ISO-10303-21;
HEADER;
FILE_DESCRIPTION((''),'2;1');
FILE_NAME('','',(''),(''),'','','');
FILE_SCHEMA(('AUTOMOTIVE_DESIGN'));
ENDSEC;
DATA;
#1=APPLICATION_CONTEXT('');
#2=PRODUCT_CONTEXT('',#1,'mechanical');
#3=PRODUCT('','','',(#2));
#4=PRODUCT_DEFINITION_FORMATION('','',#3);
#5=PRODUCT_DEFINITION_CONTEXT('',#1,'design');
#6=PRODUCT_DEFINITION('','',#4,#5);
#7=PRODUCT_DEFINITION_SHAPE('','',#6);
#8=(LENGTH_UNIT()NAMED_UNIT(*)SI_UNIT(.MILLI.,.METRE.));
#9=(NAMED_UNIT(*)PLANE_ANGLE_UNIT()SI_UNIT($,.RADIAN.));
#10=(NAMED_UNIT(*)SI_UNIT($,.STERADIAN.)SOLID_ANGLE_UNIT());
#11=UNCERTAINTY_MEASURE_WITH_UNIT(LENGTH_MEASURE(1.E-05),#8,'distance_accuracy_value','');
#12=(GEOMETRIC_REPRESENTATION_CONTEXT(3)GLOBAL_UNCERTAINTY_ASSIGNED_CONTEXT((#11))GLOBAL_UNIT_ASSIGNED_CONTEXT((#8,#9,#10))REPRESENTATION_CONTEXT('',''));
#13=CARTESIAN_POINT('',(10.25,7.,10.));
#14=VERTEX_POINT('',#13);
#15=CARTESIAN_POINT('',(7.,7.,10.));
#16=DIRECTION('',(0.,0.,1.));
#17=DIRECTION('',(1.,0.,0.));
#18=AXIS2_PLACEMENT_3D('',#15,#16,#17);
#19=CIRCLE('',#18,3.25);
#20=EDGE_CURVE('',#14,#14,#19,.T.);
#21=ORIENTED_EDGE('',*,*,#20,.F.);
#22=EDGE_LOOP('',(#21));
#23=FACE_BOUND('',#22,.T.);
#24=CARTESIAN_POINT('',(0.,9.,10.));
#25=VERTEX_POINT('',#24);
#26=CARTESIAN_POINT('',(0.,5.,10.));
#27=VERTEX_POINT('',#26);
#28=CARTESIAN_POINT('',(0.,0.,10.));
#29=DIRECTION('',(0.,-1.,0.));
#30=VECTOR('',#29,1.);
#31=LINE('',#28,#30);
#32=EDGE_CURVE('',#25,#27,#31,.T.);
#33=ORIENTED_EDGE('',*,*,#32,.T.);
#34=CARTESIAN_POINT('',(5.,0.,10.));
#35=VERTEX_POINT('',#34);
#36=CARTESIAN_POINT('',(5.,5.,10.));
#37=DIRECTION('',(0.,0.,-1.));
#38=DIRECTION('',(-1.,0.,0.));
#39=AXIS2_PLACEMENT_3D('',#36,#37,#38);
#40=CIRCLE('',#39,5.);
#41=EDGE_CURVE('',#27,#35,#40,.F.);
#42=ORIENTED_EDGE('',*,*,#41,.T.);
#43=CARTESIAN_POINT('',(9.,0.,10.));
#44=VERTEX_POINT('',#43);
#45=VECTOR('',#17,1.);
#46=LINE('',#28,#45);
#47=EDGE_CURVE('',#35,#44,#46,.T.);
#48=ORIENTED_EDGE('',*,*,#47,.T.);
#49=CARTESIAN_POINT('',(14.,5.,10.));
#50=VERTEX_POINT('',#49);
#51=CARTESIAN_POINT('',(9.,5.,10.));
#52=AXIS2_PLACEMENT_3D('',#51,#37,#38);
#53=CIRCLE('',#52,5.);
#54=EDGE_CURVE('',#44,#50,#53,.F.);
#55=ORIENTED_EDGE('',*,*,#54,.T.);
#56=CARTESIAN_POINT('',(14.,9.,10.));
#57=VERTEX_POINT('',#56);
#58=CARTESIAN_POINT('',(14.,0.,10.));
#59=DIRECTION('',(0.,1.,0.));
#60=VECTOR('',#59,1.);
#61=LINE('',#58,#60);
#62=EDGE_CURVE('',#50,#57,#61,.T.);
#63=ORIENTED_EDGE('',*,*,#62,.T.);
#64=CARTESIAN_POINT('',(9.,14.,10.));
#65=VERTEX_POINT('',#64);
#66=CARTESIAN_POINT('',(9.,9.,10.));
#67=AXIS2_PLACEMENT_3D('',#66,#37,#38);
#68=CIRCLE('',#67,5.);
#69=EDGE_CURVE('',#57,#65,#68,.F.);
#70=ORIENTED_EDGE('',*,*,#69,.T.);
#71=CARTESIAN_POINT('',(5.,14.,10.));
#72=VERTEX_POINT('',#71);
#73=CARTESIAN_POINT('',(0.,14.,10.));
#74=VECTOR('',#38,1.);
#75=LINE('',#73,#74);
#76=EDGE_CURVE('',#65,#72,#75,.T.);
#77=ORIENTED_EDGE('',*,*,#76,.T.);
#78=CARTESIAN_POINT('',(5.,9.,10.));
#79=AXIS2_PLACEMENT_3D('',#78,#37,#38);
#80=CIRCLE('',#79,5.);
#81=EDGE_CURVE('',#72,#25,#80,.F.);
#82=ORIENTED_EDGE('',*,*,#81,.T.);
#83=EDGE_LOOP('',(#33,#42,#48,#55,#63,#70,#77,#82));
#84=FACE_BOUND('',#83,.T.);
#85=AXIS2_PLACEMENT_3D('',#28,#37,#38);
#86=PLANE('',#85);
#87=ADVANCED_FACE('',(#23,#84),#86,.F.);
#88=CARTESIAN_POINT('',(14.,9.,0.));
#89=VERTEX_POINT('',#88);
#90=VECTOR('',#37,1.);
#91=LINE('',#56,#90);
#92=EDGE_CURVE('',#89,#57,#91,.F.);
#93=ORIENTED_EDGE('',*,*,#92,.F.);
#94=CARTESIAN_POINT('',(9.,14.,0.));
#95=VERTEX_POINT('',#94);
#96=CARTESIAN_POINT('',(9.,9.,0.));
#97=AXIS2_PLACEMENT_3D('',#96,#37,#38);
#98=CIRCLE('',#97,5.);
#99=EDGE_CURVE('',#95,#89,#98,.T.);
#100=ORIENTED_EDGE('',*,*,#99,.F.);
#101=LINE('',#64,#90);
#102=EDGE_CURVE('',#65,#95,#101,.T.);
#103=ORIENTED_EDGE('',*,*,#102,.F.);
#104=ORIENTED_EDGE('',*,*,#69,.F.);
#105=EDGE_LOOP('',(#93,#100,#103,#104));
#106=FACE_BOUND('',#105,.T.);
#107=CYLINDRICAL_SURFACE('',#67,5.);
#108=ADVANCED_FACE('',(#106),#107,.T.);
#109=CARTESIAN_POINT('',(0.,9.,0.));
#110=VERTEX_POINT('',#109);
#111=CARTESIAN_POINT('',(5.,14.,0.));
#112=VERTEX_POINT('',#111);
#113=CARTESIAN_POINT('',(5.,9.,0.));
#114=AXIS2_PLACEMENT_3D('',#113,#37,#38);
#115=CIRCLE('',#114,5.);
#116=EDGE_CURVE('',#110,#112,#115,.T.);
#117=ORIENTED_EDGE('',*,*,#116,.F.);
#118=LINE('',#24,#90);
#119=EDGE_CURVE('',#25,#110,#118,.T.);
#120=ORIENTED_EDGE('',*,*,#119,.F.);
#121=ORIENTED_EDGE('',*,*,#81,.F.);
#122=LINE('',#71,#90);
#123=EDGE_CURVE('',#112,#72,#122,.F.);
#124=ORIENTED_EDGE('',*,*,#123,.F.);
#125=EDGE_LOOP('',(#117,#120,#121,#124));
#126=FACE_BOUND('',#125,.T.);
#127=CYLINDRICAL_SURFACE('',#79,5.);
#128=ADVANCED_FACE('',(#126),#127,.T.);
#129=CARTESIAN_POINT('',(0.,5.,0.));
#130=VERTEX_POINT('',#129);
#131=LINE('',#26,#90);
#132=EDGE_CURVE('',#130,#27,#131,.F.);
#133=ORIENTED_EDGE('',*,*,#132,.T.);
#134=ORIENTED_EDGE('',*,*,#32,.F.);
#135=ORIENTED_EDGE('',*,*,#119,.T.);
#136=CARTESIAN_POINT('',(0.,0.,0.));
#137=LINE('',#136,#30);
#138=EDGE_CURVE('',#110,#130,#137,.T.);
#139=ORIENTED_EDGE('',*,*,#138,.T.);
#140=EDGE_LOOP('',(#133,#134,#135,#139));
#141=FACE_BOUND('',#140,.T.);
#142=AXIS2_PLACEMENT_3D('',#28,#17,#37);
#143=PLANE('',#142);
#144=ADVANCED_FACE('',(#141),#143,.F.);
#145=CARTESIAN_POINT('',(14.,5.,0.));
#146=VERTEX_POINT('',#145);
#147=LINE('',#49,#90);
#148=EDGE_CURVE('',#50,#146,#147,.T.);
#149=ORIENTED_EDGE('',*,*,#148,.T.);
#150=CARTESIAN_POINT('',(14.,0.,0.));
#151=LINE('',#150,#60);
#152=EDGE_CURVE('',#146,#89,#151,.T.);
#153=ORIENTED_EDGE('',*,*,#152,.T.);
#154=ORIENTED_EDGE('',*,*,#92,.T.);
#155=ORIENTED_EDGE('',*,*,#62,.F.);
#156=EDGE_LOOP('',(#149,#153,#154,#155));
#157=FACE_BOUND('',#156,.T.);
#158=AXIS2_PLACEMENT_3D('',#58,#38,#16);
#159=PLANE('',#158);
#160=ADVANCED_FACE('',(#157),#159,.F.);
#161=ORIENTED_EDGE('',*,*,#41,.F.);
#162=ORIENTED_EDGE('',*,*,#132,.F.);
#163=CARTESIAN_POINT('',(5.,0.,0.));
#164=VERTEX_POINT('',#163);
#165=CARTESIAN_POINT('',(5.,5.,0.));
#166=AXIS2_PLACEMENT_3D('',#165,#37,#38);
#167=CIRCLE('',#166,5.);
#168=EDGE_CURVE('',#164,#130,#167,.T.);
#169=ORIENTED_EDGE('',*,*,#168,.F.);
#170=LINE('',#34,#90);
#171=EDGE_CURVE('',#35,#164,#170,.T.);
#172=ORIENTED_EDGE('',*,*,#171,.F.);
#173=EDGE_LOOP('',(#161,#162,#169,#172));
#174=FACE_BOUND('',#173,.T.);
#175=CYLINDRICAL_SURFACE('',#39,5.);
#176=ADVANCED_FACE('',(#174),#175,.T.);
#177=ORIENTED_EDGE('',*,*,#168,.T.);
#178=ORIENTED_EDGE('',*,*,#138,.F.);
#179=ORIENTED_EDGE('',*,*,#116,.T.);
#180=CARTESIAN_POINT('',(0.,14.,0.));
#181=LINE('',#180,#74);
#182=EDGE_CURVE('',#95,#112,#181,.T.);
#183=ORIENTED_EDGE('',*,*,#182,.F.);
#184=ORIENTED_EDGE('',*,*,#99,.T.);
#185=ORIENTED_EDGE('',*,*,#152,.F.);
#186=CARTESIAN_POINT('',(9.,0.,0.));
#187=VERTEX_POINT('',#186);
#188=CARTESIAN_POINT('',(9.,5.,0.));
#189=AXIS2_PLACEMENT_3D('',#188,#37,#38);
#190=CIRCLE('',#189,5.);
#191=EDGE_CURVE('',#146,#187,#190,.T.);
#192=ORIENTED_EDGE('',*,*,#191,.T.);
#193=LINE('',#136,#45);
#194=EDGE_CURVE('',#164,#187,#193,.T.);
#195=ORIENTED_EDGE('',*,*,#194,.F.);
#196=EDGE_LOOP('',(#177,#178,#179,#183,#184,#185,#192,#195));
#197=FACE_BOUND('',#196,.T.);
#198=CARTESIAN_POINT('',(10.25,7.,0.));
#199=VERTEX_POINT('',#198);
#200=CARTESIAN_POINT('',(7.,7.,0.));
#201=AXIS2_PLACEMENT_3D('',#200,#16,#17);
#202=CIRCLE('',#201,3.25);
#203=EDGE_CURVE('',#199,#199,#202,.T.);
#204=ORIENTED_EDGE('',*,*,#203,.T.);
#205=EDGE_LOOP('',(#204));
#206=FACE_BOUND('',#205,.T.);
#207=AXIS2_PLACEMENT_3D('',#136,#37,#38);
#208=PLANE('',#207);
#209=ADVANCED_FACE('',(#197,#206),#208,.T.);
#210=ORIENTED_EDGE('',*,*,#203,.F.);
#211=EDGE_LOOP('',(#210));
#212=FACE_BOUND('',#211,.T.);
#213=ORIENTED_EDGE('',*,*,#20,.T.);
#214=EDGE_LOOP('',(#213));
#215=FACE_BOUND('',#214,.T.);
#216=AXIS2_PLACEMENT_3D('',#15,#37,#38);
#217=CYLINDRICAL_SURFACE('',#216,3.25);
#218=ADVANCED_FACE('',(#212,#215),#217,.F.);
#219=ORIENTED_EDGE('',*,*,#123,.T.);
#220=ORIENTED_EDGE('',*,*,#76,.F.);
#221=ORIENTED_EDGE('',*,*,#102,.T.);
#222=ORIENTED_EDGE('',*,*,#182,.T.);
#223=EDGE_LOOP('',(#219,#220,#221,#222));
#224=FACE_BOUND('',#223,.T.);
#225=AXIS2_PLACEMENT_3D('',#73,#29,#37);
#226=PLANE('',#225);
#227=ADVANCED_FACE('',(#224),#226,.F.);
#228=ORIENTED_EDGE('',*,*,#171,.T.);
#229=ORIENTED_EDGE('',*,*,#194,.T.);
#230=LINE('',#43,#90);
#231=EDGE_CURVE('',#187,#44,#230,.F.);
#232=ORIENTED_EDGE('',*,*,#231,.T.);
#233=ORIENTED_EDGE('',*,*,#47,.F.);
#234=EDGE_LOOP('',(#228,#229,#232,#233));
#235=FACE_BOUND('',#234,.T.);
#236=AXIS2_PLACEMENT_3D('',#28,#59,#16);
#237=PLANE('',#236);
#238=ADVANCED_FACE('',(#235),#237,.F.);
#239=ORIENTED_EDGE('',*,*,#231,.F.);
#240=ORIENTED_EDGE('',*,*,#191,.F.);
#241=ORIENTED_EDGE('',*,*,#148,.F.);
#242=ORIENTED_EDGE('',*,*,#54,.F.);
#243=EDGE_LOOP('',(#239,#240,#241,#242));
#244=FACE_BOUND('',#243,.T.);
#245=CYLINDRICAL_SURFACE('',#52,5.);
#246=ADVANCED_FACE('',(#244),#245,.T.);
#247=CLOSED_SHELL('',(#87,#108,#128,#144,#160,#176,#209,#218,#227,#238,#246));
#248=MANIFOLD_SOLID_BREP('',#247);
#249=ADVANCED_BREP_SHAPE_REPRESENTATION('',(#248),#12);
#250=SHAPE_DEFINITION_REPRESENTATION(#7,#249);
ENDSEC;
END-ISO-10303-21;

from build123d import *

# Parameters (mm, degrees)
SKETCH1_W           = 14
SKETCH1_H           = 14
SKETCH1_R           = 3.25
BOSS_EXTRUDE1_DEPTH = 10
FILLET1_R           = 5


with BuildPart() as part:
    # Sketch1 → Boss-Extrude1 (new body)
    with BuildSketch(Plane.XY):
        with Locations((7, 7)):
            Rectangle(SKETCH1_W, SKETCH1_H)
        with Locations((7, 7)):
            Circle(SKETCH1_R, mode=Mode.SUBTRACT)
    extrude(amount=BOSS_EXTRUDE1_DEPTH)

    # Fillet1
    fillet1_edges = [part.edges().sort_by_distance(p)[0] for p in [
        (0, 14, 5),
        (14, 14, 5),
        (14, 0, 5),
        (0, 0, 5),
    ]]
    fillet(fillet1_edges, radius=FILLET1_R)


solid = part.part
